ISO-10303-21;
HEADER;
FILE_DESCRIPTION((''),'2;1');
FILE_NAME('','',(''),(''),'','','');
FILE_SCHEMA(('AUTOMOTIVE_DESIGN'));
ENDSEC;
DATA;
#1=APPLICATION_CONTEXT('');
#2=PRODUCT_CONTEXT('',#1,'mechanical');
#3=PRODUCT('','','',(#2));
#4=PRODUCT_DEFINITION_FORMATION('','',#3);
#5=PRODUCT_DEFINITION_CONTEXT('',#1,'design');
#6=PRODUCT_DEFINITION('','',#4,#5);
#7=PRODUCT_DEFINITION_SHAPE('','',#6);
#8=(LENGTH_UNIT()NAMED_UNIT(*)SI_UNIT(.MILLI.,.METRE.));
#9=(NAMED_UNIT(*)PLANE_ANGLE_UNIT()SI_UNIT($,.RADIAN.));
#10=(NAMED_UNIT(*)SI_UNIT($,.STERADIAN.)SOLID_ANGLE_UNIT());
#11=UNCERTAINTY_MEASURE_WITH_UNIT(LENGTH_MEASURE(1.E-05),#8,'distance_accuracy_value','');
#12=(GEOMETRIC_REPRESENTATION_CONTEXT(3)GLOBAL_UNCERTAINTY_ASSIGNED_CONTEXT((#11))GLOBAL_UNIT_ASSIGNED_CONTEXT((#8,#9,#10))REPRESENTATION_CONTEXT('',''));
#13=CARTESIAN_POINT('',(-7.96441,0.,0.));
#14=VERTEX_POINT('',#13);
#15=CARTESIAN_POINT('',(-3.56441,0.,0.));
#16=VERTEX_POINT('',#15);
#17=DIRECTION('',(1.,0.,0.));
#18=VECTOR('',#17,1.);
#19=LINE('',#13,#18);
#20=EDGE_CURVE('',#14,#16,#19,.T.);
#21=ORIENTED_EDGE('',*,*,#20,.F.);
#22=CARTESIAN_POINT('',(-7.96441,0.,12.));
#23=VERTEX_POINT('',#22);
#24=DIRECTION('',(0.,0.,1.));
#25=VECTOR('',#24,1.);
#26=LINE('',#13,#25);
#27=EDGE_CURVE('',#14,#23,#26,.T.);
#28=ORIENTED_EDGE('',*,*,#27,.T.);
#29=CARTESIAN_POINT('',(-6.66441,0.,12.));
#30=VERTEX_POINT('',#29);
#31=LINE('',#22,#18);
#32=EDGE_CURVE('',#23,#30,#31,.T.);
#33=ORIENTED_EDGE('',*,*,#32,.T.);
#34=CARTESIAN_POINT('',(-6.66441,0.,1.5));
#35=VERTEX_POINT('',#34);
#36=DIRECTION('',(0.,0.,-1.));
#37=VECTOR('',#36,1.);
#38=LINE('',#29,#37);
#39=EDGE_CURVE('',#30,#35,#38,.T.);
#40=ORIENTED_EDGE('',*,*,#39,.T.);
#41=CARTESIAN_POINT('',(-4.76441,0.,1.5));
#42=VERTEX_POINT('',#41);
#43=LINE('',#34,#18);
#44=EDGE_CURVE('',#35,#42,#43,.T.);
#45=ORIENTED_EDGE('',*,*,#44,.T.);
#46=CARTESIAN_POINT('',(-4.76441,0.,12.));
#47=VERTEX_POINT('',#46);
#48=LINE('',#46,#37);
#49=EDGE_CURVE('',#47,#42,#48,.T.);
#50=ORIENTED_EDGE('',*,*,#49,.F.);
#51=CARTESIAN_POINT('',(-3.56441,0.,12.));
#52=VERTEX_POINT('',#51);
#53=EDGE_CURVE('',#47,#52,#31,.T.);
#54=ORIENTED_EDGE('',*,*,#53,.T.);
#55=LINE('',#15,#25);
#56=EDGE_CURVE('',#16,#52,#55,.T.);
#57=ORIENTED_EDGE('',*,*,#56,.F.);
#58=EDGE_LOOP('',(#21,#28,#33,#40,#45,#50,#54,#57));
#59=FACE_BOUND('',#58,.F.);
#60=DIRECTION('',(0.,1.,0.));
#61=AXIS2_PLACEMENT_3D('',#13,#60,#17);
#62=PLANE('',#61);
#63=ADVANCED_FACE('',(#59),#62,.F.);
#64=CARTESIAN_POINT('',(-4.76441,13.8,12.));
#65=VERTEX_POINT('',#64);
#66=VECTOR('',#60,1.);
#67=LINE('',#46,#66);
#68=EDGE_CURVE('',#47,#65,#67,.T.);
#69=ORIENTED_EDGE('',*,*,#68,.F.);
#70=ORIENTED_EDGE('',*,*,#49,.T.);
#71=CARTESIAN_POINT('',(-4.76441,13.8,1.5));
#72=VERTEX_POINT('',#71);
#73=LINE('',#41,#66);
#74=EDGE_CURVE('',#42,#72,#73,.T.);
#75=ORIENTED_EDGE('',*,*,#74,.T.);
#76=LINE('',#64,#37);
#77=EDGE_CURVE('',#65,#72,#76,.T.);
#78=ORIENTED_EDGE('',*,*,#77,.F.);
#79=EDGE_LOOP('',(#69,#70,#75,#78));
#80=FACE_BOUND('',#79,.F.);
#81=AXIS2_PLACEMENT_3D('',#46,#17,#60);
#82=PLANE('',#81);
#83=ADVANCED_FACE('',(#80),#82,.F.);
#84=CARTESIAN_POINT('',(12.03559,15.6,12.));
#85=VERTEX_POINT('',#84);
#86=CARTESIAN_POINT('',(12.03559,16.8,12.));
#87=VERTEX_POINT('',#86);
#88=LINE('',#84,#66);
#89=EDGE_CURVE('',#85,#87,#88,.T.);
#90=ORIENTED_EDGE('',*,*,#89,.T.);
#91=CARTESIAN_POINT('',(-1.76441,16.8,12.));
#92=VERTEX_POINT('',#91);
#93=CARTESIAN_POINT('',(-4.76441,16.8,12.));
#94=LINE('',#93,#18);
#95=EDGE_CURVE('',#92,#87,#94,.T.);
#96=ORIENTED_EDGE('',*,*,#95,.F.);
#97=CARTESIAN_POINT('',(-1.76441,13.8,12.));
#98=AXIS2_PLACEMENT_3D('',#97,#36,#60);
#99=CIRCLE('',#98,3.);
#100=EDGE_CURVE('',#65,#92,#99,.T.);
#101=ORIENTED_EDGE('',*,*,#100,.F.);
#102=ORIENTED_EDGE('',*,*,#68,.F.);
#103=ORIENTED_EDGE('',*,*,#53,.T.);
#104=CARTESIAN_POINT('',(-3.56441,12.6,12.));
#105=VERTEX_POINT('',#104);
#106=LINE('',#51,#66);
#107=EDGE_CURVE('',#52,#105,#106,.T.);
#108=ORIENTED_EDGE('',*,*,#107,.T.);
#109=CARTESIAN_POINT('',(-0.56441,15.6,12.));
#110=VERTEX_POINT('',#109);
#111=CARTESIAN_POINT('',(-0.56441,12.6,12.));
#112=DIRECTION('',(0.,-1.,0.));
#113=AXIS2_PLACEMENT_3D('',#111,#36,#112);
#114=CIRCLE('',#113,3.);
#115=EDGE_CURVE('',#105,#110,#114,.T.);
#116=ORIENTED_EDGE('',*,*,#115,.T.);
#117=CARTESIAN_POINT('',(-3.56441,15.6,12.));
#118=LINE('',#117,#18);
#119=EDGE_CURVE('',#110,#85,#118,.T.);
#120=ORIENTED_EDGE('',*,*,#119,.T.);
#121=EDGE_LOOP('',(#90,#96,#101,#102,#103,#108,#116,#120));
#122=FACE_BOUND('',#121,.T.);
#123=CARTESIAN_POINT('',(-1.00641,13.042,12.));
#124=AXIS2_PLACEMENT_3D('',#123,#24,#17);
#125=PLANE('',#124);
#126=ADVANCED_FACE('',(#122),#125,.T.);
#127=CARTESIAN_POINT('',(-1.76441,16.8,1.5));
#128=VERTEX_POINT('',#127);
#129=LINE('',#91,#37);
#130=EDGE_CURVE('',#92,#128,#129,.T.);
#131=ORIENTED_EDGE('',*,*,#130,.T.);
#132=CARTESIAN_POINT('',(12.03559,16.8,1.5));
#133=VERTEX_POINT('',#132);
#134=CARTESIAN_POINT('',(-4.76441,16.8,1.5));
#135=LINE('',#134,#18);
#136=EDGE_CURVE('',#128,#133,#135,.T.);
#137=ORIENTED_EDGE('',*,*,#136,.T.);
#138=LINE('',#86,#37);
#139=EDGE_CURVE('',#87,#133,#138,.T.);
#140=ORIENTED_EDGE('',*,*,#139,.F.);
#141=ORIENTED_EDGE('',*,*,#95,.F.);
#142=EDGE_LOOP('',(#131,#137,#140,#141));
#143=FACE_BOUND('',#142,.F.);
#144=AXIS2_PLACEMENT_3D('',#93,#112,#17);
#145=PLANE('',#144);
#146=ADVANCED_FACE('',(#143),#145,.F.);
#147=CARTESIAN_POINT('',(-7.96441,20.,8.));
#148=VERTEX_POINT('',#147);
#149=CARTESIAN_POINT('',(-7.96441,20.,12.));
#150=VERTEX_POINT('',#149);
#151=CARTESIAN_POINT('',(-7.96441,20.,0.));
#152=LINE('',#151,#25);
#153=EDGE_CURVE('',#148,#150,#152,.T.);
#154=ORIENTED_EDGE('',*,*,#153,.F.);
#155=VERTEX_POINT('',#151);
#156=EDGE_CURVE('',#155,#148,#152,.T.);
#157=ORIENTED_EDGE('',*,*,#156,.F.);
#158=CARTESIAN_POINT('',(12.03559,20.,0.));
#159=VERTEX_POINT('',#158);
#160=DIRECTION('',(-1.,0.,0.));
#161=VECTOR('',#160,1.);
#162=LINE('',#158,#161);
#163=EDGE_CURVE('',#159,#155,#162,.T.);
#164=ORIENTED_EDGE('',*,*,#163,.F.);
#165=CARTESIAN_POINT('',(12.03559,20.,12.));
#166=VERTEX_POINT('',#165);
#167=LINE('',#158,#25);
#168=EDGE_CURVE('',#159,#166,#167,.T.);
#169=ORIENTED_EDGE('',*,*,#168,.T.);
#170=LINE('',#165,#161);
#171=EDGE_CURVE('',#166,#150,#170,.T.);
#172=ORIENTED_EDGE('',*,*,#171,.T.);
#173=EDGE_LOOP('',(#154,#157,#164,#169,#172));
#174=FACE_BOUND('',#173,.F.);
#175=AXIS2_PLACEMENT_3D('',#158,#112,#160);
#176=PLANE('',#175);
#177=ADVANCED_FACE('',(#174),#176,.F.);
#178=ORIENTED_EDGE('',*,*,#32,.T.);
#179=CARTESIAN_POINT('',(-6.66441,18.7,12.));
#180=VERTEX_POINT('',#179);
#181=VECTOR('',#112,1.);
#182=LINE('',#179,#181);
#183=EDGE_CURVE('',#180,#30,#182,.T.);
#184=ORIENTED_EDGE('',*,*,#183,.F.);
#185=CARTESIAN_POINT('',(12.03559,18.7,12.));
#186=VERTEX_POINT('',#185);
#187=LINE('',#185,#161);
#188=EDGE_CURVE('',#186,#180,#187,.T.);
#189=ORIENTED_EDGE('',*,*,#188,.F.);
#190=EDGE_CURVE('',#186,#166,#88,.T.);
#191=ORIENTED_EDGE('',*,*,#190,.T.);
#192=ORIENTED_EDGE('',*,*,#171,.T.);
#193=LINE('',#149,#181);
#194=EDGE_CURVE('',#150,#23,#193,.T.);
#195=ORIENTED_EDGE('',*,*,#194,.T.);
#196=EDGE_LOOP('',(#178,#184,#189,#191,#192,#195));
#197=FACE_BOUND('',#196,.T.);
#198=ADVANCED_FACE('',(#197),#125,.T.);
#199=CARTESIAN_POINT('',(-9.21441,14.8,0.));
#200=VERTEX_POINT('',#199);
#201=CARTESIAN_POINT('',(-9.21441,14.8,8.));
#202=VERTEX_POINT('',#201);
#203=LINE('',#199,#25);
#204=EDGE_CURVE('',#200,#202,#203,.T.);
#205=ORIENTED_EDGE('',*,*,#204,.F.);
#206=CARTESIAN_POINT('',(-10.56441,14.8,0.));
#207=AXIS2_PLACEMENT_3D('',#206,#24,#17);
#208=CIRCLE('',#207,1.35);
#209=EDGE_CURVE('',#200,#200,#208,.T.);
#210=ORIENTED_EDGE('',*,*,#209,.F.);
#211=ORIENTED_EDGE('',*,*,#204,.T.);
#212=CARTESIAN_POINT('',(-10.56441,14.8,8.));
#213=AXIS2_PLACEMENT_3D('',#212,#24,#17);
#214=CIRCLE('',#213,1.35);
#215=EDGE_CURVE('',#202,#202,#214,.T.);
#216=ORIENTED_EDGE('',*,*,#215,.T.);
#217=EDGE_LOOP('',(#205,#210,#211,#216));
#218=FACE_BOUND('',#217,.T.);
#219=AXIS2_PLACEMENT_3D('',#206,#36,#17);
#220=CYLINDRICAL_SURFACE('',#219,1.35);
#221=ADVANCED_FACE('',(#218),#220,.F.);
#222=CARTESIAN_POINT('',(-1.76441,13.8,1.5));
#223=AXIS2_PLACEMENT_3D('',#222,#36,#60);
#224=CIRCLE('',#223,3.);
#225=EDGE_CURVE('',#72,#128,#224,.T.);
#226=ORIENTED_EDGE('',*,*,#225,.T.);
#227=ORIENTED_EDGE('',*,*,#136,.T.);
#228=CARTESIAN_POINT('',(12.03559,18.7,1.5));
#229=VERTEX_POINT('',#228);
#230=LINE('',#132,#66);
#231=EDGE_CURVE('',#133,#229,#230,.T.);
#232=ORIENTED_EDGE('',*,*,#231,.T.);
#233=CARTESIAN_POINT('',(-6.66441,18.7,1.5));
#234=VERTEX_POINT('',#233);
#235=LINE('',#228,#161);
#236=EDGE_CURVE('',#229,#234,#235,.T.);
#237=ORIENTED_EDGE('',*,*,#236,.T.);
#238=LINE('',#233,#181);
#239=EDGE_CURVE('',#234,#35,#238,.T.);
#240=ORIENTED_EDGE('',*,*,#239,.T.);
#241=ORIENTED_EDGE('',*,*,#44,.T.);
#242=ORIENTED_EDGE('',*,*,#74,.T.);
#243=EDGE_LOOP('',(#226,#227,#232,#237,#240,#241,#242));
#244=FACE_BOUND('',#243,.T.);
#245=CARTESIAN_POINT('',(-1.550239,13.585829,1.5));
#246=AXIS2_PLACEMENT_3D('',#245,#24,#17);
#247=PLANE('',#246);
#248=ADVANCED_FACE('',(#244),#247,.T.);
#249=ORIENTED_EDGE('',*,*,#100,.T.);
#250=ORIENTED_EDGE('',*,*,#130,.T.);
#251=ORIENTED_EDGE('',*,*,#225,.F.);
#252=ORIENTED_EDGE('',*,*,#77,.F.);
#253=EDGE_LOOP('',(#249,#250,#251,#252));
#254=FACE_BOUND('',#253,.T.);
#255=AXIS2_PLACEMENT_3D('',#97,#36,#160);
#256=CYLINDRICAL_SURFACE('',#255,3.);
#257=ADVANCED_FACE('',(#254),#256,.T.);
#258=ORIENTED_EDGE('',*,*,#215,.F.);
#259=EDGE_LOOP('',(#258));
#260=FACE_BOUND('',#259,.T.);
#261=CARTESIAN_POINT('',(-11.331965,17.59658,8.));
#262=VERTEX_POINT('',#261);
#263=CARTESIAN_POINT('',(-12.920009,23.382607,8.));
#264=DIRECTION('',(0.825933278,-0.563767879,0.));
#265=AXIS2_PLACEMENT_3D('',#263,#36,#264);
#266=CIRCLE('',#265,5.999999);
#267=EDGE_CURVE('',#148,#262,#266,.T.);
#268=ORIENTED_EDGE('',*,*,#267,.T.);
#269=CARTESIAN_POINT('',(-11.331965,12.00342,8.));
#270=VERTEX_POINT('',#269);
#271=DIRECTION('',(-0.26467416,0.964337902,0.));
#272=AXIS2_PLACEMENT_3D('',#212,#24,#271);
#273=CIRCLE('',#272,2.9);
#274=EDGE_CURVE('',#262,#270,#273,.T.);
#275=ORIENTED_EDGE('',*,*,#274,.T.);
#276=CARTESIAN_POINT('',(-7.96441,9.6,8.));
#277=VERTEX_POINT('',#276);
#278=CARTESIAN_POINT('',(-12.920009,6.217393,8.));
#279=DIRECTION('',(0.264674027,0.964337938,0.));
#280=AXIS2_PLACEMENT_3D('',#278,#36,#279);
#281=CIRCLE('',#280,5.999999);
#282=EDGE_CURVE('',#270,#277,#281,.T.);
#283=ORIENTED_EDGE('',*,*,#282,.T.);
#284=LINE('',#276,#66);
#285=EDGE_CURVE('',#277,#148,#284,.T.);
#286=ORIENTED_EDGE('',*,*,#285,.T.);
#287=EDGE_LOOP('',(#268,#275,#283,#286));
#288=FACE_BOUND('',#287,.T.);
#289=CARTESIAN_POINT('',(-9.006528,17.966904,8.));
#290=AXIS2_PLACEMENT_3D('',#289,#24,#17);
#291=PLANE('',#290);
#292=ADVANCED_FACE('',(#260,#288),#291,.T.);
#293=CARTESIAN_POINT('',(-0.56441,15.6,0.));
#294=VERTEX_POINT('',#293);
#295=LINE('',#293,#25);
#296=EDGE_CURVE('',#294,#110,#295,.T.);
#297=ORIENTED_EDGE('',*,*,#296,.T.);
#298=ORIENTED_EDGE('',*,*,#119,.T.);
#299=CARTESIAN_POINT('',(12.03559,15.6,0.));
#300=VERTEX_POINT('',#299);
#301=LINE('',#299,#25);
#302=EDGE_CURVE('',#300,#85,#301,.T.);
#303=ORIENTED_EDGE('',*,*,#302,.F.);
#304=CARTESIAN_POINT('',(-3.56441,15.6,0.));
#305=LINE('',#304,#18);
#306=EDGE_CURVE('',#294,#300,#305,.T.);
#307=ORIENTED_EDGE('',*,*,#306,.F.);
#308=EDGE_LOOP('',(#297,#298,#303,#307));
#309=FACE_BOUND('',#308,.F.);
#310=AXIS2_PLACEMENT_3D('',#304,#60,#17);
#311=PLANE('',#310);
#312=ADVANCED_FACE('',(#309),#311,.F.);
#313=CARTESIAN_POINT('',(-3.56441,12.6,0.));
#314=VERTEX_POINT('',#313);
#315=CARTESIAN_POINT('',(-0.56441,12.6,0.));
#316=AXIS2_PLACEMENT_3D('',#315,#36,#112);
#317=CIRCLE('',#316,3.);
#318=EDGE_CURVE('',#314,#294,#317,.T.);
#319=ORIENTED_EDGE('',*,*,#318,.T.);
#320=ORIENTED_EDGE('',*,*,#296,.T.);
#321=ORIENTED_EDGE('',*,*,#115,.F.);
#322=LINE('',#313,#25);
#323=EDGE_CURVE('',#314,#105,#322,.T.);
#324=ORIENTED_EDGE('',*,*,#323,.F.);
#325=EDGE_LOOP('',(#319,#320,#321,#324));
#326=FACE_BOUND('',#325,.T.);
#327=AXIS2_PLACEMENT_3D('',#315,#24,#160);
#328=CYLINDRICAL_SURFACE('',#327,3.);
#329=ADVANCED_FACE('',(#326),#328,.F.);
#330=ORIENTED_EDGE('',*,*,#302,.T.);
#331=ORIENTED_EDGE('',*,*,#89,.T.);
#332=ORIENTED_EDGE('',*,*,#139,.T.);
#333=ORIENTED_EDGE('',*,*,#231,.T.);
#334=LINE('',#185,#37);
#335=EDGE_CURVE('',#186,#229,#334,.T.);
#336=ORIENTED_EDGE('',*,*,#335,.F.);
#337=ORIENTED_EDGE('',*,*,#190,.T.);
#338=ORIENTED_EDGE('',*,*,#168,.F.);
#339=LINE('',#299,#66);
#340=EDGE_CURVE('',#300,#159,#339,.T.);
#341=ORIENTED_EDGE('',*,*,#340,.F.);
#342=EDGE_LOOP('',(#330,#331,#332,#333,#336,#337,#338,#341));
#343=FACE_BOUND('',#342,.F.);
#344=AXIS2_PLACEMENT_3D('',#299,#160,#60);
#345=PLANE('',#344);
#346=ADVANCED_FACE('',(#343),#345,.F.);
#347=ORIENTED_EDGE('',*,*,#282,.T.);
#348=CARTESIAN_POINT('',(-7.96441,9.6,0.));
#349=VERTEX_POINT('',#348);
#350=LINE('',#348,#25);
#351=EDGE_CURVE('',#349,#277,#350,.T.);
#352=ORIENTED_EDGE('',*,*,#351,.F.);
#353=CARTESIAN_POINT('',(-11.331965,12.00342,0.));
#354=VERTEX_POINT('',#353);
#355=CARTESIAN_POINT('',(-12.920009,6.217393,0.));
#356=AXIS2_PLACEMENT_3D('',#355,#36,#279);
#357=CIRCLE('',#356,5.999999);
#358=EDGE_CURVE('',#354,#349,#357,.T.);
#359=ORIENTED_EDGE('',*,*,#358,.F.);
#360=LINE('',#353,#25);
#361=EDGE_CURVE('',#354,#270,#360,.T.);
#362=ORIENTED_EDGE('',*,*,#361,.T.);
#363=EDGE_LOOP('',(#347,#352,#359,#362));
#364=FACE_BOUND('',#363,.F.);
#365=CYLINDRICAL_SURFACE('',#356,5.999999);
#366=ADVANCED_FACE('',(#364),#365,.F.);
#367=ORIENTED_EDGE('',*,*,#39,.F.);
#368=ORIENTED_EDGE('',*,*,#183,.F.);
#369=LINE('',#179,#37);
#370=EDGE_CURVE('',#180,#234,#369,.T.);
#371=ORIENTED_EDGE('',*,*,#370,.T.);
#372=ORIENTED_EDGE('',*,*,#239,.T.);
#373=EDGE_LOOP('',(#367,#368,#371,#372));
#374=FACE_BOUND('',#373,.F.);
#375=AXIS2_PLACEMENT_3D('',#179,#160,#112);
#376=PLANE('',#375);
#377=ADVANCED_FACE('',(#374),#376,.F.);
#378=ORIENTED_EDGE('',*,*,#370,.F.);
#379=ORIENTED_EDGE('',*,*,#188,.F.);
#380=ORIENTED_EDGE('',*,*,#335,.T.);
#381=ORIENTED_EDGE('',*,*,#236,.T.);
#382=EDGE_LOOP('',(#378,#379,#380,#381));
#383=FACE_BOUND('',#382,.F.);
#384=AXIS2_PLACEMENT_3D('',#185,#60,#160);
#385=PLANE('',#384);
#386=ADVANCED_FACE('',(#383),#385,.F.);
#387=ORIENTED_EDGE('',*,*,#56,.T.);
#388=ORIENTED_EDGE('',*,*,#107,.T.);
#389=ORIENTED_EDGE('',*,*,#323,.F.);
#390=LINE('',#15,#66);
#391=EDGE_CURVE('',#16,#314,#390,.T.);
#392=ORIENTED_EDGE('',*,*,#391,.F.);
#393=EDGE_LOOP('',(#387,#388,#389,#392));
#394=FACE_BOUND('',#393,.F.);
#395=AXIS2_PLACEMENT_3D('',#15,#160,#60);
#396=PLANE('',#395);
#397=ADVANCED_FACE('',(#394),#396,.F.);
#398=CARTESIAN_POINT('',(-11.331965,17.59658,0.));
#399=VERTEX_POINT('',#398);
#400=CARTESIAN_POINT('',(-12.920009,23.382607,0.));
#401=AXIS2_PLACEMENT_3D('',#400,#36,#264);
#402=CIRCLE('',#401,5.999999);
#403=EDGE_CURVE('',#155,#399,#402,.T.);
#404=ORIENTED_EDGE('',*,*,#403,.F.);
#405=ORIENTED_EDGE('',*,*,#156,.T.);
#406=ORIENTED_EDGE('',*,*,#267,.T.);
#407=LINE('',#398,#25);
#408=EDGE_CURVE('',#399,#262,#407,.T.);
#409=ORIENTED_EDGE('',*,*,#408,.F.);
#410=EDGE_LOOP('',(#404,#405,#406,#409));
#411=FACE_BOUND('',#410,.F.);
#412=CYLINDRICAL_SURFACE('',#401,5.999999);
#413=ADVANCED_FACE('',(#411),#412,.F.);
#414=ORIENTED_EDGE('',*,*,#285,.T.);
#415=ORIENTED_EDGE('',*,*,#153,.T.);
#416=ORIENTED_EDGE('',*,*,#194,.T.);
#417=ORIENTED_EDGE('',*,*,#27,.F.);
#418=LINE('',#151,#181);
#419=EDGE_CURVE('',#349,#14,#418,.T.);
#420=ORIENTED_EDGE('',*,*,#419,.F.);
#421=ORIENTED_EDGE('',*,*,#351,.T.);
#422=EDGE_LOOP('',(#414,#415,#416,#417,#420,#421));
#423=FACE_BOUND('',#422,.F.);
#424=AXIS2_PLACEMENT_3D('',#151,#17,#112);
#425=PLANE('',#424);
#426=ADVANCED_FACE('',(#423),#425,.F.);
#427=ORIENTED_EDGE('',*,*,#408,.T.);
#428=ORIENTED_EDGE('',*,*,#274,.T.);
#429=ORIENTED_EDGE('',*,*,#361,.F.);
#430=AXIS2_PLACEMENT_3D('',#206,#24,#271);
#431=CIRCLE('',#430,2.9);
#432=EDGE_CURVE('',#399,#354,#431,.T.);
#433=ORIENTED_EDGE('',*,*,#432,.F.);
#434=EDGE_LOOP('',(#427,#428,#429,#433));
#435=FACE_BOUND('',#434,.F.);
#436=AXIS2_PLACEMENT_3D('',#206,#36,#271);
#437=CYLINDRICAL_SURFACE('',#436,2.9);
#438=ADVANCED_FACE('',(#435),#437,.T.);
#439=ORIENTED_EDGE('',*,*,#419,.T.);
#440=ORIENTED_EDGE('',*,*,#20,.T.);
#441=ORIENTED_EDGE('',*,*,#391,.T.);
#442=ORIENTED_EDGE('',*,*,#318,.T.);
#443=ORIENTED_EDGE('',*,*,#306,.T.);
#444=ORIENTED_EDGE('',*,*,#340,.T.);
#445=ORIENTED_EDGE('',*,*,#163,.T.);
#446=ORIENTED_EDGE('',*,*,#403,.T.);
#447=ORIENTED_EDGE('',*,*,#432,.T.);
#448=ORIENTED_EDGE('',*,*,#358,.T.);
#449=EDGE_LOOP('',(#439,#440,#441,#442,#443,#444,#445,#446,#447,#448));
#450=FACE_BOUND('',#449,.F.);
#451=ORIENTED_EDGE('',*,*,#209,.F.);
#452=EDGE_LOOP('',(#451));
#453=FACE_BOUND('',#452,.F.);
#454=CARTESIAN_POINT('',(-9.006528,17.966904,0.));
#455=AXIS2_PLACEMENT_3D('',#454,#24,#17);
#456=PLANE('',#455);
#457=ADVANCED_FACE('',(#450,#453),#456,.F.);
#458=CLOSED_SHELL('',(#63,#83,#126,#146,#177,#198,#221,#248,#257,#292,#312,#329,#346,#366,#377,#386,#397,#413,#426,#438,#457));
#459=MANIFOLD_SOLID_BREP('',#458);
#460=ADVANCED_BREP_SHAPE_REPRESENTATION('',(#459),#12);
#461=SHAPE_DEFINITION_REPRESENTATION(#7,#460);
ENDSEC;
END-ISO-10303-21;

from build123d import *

# Parameters (mm, degrees)
F1_DEPTH = 12
F3_DEPTH = 10.5
F4_R     = 3
F5_R     = 1.35
F6_DEPTH = 8


with BuildPart() as f1:
    # F0 (on Top) → F1 (new body)
    with BuildSketch(Plane.XY):
        Polygon((-7.96441, 20), (-7.96441, 0), (-3.56441, 0), (-3.56441, 15.6), (12.03559, 15.6), (12.03559, 20), align=None)
    extrude(amount=F1_DEPTH)

    # F2 (on face) → F3 (cut)
    with BuildSketch(Plane.XY.offset(12)):
        Polygon((-6.66441, 0), (-5.76441, 0), (-5.76441, 17.8), (12.03559, 17.8), (12.03559, 18.7), (-6.66441, 18.7), align=None)
        Polygon((-5.76441, 17.8), (-5.76441, 0), (-4.76441, 0), (-4.76441, 16.8), (12.03559, 16.8), (12.03559, 17.8), align=None)
    extrude(amount=-F3_DEPTH, mode=Mode.SUBTRACT)

    # F4
    f4_edges = [f1.edges().sort_by_distance(p)[0] for p in [
        (-4.76441, 16.8, 6.75),
        (-3.56441, 15.6, 6),
    ]]
    fillet(f4_edges, radius=F4_R)

    # F5 (on Top) → F6 (join)
    with BuildSketch(Plane.XY):
        with BuildLine():
            ThreePointArc((-7.96441, 20), (-9.434479, 18.498851), (-11.331965, 17.59658))
            ThreePointArc((-11.331965, 17.59658), (-9.376537, 17.445554), (-7.96441, 16.084523))
            Line((-7.96441, 16.084523), (-7.96441, 20))
        make_face()
        with BuildLine():
            ThreePointArc((-7.96441, 13.515477), (-9.376537, 12.154446), (-11.331965, 12.00342))
            ThreePointArc((-11.331965, 12.00342), (-9.434479, 11.101149), (-7.96441, 9.6))
            Line((-7.96441, 9.6), (-7.96441, 13.515477))
        make_face()
        with BuildLine():
            ThreePointArc((-7.96441, 16.084523), (-9.376537, 17.445554), (-11.331965, 17.59658))
            ThreePointArc((-11.331965, 17.59658), (-13.46441, 14.8), (-11.331965, 12.00342))
            ThreePointArc((-11.331965, 12.00342), (-9.376537, 12.154446), (-7.96441, 13.515477))
            Line((-7.96441, 13.515477), (-7.96441, 16.084523))
        make_face()
        with Locations((-10.56441, 14.8)):
            Circle(F5_R, mode=Mode.SUBTRACT)
    extrude(amount=F6_DEPTH)


solid = f1.part
